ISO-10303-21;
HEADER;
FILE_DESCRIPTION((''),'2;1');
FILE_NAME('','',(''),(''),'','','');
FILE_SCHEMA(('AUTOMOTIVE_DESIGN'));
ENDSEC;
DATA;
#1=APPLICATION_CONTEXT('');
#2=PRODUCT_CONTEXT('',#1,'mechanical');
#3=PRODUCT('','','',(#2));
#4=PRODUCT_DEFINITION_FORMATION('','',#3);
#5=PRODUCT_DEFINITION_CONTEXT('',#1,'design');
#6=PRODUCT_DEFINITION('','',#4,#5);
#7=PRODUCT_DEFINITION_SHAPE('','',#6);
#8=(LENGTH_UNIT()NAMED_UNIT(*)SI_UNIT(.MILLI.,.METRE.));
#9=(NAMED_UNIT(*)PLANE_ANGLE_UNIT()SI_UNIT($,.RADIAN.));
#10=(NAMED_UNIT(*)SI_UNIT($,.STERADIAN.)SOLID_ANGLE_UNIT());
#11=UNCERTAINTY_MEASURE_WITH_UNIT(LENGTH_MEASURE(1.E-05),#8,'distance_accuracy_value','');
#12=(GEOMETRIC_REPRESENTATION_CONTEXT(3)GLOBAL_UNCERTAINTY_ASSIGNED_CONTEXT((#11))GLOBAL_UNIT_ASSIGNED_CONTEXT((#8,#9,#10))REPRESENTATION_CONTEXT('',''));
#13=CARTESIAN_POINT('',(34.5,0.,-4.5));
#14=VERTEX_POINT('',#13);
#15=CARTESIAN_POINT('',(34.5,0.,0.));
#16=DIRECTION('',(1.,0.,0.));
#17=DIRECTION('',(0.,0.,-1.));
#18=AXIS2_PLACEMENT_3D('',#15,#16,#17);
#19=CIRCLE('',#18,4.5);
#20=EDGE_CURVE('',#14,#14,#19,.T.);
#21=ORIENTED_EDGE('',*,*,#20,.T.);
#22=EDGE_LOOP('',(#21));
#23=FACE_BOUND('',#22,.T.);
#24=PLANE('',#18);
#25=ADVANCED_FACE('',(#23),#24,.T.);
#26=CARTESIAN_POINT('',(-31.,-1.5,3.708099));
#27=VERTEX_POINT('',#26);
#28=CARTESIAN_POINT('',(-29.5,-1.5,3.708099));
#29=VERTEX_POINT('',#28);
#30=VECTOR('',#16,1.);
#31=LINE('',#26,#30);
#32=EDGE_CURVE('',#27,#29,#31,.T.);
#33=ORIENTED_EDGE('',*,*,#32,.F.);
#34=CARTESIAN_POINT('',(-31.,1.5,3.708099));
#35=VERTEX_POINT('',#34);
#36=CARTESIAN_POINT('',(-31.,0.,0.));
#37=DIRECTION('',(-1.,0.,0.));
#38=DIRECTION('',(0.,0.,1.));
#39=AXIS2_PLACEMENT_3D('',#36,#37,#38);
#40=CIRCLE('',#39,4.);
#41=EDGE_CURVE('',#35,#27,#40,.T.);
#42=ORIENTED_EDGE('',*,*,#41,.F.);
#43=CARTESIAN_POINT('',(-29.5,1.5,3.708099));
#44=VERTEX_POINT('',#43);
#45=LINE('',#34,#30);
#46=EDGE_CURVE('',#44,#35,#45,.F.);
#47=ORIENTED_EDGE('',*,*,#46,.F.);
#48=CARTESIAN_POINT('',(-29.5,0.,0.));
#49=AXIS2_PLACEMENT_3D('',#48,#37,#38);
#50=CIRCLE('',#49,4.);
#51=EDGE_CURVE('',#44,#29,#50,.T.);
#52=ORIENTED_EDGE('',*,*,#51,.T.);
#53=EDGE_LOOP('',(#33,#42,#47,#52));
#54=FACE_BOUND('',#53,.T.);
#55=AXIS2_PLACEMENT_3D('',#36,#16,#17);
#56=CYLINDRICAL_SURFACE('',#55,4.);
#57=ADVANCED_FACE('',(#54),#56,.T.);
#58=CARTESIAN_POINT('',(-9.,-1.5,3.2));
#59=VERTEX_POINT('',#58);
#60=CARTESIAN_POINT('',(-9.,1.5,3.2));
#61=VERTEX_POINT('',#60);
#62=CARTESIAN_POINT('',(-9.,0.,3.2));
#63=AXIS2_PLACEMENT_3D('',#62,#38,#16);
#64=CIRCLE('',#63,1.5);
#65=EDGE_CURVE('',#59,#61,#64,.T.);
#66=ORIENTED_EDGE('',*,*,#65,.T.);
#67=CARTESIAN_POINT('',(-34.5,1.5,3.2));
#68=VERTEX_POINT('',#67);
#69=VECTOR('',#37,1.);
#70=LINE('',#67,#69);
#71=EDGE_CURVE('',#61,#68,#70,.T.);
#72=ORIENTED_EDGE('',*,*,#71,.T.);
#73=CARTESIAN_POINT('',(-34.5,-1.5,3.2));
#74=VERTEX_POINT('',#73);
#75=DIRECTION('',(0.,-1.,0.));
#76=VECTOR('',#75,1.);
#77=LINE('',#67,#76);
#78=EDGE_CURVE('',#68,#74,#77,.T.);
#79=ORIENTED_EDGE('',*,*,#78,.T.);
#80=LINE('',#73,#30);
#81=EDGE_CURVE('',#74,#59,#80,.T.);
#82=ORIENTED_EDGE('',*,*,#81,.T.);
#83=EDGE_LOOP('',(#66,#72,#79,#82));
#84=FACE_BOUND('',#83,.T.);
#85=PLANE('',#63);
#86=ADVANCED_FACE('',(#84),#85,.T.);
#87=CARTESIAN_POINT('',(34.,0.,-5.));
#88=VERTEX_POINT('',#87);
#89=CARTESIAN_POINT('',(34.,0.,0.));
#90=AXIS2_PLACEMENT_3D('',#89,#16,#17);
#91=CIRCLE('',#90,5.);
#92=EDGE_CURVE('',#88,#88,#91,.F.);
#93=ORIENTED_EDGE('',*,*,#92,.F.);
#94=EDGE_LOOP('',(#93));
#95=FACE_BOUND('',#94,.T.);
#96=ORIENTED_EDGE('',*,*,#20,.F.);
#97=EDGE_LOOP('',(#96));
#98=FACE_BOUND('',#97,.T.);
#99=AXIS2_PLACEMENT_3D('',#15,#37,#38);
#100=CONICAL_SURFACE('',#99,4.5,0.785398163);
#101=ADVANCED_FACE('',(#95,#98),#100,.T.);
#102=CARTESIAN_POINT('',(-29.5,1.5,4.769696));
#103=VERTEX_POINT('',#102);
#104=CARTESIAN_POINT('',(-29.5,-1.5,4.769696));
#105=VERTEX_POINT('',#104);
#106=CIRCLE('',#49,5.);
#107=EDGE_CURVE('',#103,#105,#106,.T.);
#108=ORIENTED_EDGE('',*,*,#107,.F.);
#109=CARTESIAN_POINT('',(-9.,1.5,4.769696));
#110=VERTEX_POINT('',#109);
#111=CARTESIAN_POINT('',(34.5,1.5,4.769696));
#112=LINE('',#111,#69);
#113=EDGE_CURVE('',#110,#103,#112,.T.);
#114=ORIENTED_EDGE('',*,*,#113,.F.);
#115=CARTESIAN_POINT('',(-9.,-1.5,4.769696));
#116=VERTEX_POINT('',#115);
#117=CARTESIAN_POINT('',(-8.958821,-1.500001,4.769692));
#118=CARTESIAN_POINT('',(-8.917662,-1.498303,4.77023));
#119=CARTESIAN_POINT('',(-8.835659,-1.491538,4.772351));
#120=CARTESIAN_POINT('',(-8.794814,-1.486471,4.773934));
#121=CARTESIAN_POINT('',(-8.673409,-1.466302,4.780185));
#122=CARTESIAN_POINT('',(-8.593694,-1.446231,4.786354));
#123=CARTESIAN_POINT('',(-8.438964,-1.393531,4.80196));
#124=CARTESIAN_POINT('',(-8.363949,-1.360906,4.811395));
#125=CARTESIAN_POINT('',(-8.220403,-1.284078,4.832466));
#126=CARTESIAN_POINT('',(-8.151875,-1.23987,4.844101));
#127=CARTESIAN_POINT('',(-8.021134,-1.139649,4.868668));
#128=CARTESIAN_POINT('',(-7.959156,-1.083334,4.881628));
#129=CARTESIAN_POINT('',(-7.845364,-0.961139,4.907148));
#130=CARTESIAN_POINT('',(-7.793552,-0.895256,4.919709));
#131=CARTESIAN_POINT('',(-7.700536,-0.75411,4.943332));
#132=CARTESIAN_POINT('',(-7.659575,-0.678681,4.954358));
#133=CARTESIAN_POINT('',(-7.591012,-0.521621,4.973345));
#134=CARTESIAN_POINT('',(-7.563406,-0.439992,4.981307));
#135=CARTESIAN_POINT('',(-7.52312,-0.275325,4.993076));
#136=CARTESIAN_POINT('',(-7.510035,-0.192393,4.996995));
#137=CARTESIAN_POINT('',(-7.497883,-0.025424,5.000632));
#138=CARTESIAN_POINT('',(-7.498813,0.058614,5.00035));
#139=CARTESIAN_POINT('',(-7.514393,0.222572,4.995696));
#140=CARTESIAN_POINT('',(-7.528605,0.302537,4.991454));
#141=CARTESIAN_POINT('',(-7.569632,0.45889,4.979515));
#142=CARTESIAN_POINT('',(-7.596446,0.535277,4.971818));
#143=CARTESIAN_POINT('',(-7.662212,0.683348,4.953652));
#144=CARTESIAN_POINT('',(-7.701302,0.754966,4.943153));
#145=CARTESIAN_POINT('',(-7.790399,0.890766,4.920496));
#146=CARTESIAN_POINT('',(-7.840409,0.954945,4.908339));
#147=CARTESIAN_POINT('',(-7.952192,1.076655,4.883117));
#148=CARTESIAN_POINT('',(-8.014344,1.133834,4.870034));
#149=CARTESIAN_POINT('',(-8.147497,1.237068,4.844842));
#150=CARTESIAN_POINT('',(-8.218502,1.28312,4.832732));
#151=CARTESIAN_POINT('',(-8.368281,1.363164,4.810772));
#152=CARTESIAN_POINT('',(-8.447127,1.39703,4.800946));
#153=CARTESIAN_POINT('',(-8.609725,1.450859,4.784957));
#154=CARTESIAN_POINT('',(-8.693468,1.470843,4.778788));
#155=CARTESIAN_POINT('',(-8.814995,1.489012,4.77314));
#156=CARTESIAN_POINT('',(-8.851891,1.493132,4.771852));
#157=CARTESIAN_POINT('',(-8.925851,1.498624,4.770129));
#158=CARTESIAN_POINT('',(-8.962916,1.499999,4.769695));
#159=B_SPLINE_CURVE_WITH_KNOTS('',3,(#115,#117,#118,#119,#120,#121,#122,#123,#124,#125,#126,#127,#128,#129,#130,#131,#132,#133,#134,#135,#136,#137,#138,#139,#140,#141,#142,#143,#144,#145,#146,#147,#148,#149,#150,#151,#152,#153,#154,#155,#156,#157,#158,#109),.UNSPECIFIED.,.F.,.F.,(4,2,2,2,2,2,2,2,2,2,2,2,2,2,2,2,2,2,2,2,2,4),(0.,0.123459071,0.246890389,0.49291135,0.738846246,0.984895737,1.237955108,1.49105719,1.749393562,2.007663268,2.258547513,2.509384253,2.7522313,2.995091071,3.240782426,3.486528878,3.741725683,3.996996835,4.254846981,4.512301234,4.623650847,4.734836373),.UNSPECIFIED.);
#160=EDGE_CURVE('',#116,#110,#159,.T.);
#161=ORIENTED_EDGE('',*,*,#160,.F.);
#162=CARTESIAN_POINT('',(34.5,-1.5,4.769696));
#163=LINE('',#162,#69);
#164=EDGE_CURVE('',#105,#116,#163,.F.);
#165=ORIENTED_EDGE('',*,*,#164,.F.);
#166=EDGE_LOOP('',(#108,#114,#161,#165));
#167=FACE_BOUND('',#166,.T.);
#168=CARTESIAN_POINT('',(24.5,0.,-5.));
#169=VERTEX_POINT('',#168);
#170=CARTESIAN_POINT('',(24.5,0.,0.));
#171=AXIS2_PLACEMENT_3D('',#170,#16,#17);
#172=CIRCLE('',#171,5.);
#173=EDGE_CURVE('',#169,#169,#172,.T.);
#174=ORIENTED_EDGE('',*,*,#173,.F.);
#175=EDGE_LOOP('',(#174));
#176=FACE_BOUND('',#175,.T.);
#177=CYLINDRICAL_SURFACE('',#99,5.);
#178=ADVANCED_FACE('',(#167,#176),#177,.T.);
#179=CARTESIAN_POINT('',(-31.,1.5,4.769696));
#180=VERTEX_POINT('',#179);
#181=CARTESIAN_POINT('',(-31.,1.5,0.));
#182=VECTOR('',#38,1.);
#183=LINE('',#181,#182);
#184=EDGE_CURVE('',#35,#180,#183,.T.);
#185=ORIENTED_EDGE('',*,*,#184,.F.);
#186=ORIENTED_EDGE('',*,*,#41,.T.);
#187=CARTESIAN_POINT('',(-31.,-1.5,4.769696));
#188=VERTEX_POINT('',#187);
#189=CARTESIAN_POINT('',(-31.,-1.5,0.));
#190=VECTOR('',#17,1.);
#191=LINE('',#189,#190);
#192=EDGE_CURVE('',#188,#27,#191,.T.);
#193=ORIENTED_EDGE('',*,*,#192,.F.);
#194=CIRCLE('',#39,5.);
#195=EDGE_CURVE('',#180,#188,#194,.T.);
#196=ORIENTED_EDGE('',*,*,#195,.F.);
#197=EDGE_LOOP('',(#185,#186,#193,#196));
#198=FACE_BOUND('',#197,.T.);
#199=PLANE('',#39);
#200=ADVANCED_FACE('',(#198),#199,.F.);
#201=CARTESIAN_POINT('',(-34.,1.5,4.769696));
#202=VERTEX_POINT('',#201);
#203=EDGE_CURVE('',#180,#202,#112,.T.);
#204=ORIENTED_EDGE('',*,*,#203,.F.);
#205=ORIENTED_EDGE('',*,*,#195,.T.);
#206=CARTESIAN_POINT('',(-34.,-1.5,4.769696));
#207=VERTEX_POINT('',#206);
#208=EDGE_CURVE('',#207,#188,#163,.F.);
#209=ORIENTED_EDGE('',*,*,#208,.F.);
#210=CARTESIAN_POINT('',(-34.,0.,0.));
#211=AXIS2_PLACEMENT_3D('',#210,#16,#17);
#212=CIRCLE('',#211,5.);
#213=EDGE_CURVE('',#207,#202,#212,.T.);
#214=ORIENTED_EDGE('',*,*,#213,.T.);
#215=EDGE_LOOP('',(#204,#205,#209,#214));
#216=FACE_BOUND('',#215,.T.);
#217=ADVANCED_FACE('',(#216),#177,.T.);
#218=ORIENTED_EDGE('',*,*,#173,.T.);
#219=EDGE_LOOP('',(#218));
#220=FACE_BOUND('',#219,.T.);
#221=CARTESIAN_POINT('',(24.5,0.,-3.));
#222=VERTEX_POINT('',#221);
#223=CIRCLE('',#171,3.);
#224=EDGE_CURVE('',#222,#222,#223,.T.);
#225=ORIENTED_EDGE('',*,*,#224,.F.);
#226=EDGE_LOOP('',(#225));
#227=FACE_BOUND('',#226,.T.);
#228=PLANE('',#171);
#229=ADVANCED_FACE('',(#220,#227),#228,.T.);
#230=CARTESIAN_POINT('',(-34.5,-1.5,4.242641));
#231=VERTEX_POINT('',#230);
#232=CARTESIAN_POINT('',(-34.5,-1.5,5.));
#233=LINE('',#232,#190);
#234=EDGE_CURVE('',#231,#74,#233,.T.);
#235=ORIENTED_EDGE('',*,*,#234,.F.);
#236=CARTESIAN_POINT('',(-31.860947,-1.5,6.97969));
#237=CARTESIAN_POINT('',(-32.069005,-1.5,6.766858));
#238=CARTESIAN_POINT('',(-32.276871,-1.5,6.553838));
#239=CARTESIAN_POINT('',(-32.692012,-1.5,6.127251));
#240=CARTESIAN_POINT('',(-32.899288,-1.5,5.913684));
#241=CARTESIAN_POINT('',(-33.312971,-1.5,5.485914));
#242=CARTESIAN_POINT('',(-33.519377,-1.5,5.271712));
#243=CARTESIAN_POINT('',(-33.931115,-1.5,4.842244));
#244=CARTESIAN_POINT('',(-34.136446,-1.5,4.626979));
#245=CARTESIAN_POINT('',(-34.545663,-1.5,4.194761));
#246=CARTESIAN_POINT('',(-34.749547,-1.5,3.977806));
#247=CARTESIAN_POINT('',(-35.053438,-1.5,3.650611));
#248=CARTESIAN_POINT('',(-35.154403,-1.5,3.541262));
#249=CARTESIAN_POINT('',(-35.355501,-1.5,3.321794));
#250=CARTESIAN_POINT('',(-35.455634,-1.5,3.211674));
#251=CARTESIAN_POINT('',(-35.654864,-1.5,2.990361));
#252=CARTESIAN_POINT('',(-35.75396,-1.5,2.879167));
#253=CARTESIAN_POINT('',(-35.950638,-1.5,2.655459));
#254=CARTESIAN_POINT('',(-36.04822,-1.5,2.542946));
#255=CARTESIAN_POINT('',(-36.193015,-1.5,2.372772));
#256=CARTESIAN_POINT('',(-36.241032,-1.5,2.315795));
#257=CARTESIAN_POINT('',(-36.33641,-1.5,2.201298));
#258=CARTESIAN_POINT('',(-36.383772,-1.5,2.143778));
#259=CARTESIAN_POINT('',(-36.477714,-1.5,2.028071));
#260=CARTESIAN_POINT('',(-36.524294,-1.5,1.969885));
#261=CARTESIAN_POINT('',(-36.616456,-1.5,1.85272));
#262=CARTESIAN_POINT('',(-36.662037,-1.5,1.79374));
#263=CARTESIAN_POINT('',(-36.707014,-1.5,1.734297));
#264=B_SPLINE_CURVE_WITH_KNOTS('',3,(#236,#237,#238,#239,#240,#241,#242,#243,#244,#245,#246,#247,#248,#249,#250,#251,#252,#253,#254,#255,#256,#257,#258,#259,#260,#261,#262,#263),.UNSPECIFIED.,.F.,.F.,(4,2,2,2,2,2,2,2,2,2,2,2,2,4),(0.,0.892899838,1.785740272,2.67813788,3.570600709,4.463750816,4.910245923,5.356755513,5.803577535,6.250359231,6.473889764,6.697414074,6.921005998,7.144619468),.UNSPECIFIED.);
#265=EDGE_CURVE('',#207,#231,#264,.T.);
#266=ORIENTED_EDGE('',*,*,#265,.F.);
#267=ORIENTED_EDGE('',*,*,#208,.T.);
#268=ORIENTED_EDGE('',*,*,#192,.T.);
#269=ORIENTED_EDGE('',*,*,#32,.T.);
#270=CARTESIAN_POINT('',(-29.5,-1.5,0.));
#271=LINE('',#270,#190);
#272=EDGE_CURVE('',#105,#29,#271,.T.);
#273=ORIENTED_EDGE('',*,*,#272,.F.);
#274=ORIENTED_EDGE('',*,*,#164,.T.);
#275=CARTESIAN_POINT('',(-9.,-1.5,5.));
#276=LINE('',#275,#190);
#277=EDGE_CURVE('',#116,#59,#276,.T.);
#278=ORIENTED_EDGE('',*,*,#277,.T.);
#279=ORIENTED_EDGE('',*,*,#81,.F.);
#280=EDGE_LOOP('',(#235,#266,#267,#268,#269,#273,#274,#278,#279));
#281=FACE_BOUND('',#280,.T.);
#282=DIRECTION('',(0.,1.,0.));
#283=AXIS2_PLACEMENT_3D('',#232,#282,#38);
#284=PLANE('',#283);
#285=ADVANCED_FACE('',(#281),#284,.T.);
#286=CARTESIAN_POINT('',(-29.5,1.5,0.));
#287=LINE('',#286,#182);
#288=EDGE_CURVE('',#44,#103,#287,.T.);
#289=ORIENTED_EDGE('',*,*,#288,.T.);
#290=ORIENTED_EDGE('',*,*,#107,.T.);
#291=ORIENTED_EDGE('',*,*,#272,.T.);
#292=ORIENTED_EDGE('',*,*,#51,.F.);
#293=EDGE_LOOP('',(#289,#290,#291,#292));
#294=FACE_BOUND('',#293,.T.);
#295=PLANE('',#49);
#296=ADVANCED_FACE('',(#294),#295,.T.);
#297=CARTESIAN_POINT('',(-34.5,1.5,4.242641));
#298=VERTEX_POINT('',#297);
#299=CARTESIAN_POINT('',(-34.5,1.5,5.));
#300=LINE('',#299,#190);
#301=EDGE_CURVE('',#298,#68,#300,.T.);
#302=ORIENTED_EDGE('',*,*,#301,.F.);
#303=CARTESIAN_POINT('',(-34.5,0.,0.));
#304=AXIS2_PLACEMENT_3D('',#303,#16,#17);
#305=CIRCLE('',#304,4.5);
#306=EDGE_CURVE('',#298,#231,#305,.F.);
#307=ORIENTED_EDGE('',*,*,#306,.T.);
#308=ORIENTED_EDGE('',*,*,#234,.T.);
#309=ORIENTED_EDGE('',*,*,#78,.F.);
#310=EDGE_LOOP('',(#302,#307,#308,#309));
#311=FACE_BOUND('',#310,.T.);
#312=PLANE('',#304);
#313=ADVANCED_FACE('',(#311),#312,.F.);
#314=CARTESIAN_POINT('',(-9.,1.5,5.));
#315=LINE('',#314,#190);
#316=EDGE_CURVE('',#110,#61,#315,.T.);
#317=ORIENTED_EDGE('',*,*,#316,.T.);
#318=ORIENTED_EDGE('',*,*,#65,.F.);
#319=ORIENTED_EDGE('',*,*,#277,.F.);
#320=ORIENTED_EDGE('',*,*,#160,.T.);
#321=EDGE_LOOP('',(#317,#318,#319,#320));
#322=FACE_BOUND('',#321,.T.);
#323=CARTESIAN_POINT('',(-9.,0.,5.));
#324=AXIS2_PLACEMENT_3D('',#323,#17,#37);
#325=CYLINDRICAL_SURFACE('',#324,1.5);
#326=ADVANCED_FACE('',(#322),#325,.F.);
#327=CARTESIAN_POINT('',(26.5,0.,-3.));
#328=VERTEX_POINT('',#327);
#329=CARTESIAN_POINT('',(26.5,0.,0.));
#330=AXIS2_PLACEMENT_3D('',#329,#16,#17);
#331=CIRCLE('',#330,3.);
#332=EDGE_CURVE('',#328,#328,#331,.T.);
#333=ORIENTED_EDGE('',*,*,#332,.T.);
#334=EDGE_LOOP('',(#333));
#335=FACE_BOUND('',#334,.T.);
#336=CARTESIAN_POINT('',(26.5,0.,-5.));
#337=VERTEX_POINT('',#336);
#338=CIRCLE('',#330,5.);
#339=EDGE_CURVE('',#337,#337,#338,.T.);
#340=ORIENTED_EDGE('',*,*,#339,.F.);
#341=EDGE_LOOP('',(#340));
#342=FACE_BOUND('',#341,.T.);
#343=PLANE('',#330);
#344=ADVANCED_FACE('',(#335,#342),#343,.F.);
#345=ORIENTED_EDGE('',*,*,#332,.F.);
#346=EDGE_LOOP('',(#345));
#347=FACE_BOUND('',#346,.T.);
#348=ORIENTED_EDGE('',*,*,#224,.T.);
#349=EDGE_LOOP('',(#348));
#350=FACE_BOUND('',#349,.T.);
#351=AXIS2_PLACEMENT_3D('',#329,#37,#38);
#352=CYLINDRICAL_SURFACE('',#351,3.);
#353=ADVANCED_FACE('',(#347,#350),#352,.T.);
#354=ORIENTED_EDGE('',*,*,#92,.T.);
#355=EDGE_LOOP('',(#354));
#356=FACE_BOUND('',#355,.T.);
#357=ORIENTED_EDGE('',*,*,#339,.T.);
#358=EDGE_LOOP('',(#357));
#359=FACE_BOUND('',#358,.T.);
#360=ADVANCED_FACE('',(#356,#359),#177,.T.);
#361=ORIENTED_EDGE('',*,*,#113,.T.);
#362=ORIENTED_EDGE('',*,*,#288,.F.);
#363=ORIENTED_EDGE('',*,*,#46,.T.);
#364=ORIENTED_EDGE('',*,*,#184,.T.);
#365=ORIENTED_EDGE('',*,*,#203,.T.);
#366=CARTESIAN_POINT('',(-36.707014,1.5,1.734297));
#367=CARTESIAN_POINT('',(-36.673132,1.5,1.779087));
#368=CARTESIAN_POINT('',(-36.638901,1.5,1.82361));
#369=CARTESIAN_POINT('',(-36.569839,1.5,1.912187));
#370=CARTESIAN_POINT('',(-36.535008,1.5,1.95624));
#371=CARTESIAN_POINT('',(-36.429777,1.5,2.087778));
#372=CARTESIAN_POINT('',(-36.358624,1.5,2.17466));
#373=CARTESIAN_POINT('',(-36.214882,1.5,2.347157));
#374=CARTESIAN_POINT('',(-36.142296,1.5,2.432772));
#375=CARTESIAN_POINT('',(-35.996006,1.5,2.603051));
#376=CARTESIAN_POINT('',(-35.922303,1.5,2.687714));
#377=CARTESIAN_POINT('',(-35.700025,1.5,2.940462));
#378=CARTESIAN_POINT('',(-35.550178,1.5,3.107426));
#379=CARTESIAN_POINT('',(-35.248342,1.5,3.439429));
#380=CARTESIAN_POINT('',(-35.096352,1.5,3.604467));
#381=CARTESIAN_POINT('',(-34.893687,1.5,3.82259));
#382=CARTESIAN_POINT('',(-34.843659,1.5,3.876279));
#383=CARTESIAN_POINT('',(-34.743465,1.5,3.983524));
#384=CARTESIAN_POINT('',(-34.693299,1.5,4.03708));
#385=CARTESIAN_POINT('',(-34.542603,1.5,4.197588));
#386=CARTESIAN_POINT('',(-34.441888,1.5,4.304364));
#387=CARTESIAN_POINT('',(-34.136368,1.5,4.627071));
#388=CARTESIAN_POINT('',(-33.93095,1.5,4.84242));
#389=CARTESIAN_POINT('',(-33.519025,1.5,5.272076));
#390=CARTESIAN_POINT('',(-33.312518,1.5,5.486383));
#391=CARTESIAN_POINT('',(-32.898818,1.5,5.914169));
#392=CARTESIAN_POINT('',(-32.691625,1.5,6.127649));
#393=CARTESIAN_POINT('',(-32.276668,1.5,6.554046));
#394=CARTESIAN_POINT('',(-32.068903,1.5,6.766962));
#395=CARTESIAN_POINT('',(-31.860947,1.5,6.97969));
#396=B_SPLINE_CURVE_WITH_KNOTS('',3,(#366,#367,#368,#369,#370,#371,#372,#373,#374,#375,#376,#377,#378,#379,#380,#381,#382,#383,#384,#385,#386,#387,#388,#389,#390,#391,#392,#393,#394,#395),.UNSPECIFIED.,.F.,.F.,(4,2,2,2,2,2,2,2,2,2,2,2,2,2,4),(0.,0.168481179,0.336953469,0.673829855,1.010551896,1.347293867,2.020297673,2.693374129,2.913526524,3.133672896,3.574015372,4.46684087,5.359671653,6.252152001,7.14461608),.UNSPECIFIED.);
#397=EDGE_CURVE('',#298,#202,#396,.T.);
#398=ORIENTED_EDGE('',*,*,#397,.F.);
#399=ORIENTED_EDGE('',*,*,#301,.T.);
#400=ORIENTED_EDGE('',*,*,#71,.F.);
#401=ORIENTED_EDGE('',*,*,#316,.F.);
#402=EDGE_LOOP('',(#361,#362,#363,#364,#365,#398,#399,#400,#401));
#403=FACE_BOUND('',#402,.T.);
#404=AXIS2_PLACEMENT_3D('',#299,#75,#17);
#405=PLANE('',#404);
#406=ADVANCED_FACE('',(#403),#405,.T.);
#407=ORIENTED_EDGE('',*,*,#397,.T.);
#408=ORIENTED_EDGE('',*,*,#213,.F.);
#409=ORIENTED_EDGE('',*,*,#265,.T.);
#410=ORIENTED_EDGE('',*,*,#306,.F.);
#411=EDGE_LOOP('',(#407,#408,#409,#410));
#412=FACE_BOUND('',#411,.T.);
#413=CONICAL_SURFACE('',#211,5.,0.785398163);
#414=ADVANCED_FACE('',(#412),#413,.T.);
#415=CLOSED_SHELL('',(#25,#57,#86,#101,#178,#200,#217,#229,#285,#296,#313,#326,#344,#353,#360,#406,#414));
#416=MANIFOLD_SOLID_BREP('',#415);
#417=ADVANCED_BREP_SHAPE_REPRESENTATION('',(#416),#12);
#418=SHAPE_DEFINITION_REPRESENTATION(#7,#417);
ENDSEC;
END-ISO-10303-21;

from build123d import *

# Parameters (mm, degrees)
SKETCH1_R           = 5
BOSS_EXTRUDE1_DEPTH = 34.5
CUT_EXTRUDE1_START  = -10
SKETCH2_R           = 5
SKETCH2_R_2         = 3
CUT_EXTRUDE1_DEPTH  = 2
CUT_EXTRUDE2_START  = -5
SKETCH3_R           = 5
SKETCH3_R_2         = 4
CUT_EXTRUDE2_DEPTH  = 1.5
CHAMFER1_SIZE       = 0.5
CUT_EXTRUDE3_START  = 3.2
CUT_EXTRUDE3_DEPTH  = 2.8


with BuildPart() as part:
    # Sketch1 → Boss-Extrude1 (new body, symmetric)
    with BuildSketch(Plane(origin=(0, 0, 0), x_dir=(0, 0, -1), z_dir=(1, 0, 0))):
        Circle(SKETCH1_R)
    extrude(amount=BOSS_EXTRUDE1_DEPTH, both=True)

    # Sketch2 → Cut-Extrude1 (cut)
    with BuildSketch(Plane(origin=(34.5, 0, 0), x_dir=(0, 0, -1), z_dir=(1, 0, 0)).offset(CUT_EXTRUDE1_START)):
        Circle(SKETCH2_R)
        Circle(SKETCH2_R_2, mode=Mode.SUBTRACT)
    extrude(amount=CUT_EXTRUDE1_DEPTH, mode=Mode.SUBTRACT)

    # Sketch3 → Cut-Extrude2 (cut)
    with BuildSketch(Plane.ZY.offset(34.5).offset(CUT_EXTRUDE2_START)):
        Circle(SKETCH3_R)
        Circle(SKETCH3_R_2, mode=Mode.SUBTRACT)
    extrude(amount=CUT_EXTRUDE2_DEPTH, mode=Mode.SUBTRACT)

    # Chamfer1
    chamfer1_edges = [part.edges().sort_by_distance(p)[0] for p in [
        (-34.5, 0, 5),
        (34.5, 0, 5),
    ]]
    chamfer(chamfer1_edges, length=CHAMFER1_SIZE)

    # Sketch4 → Cut-Extrude3 (cut, through all)
    with BuildSketch(Plane.XY.offset(CUT_EXTRUDE3_START)):
        with BuildLine():
            Line((-34.5, 1.5), (-9, 1.5))
            ThreePointArc((-9, 1.5), (-7.5, 0), (-9, -1.5))
            Line((-9, -1.5), (-34.5, -1.5))
            Line((-34.5, -1.5), (-34.5, 1.5))
        make_face()
    extrude(amount=CUT_EXTRUDE3_DEPTH, mode=Mode.SUBTRACT)


solid = part.part
